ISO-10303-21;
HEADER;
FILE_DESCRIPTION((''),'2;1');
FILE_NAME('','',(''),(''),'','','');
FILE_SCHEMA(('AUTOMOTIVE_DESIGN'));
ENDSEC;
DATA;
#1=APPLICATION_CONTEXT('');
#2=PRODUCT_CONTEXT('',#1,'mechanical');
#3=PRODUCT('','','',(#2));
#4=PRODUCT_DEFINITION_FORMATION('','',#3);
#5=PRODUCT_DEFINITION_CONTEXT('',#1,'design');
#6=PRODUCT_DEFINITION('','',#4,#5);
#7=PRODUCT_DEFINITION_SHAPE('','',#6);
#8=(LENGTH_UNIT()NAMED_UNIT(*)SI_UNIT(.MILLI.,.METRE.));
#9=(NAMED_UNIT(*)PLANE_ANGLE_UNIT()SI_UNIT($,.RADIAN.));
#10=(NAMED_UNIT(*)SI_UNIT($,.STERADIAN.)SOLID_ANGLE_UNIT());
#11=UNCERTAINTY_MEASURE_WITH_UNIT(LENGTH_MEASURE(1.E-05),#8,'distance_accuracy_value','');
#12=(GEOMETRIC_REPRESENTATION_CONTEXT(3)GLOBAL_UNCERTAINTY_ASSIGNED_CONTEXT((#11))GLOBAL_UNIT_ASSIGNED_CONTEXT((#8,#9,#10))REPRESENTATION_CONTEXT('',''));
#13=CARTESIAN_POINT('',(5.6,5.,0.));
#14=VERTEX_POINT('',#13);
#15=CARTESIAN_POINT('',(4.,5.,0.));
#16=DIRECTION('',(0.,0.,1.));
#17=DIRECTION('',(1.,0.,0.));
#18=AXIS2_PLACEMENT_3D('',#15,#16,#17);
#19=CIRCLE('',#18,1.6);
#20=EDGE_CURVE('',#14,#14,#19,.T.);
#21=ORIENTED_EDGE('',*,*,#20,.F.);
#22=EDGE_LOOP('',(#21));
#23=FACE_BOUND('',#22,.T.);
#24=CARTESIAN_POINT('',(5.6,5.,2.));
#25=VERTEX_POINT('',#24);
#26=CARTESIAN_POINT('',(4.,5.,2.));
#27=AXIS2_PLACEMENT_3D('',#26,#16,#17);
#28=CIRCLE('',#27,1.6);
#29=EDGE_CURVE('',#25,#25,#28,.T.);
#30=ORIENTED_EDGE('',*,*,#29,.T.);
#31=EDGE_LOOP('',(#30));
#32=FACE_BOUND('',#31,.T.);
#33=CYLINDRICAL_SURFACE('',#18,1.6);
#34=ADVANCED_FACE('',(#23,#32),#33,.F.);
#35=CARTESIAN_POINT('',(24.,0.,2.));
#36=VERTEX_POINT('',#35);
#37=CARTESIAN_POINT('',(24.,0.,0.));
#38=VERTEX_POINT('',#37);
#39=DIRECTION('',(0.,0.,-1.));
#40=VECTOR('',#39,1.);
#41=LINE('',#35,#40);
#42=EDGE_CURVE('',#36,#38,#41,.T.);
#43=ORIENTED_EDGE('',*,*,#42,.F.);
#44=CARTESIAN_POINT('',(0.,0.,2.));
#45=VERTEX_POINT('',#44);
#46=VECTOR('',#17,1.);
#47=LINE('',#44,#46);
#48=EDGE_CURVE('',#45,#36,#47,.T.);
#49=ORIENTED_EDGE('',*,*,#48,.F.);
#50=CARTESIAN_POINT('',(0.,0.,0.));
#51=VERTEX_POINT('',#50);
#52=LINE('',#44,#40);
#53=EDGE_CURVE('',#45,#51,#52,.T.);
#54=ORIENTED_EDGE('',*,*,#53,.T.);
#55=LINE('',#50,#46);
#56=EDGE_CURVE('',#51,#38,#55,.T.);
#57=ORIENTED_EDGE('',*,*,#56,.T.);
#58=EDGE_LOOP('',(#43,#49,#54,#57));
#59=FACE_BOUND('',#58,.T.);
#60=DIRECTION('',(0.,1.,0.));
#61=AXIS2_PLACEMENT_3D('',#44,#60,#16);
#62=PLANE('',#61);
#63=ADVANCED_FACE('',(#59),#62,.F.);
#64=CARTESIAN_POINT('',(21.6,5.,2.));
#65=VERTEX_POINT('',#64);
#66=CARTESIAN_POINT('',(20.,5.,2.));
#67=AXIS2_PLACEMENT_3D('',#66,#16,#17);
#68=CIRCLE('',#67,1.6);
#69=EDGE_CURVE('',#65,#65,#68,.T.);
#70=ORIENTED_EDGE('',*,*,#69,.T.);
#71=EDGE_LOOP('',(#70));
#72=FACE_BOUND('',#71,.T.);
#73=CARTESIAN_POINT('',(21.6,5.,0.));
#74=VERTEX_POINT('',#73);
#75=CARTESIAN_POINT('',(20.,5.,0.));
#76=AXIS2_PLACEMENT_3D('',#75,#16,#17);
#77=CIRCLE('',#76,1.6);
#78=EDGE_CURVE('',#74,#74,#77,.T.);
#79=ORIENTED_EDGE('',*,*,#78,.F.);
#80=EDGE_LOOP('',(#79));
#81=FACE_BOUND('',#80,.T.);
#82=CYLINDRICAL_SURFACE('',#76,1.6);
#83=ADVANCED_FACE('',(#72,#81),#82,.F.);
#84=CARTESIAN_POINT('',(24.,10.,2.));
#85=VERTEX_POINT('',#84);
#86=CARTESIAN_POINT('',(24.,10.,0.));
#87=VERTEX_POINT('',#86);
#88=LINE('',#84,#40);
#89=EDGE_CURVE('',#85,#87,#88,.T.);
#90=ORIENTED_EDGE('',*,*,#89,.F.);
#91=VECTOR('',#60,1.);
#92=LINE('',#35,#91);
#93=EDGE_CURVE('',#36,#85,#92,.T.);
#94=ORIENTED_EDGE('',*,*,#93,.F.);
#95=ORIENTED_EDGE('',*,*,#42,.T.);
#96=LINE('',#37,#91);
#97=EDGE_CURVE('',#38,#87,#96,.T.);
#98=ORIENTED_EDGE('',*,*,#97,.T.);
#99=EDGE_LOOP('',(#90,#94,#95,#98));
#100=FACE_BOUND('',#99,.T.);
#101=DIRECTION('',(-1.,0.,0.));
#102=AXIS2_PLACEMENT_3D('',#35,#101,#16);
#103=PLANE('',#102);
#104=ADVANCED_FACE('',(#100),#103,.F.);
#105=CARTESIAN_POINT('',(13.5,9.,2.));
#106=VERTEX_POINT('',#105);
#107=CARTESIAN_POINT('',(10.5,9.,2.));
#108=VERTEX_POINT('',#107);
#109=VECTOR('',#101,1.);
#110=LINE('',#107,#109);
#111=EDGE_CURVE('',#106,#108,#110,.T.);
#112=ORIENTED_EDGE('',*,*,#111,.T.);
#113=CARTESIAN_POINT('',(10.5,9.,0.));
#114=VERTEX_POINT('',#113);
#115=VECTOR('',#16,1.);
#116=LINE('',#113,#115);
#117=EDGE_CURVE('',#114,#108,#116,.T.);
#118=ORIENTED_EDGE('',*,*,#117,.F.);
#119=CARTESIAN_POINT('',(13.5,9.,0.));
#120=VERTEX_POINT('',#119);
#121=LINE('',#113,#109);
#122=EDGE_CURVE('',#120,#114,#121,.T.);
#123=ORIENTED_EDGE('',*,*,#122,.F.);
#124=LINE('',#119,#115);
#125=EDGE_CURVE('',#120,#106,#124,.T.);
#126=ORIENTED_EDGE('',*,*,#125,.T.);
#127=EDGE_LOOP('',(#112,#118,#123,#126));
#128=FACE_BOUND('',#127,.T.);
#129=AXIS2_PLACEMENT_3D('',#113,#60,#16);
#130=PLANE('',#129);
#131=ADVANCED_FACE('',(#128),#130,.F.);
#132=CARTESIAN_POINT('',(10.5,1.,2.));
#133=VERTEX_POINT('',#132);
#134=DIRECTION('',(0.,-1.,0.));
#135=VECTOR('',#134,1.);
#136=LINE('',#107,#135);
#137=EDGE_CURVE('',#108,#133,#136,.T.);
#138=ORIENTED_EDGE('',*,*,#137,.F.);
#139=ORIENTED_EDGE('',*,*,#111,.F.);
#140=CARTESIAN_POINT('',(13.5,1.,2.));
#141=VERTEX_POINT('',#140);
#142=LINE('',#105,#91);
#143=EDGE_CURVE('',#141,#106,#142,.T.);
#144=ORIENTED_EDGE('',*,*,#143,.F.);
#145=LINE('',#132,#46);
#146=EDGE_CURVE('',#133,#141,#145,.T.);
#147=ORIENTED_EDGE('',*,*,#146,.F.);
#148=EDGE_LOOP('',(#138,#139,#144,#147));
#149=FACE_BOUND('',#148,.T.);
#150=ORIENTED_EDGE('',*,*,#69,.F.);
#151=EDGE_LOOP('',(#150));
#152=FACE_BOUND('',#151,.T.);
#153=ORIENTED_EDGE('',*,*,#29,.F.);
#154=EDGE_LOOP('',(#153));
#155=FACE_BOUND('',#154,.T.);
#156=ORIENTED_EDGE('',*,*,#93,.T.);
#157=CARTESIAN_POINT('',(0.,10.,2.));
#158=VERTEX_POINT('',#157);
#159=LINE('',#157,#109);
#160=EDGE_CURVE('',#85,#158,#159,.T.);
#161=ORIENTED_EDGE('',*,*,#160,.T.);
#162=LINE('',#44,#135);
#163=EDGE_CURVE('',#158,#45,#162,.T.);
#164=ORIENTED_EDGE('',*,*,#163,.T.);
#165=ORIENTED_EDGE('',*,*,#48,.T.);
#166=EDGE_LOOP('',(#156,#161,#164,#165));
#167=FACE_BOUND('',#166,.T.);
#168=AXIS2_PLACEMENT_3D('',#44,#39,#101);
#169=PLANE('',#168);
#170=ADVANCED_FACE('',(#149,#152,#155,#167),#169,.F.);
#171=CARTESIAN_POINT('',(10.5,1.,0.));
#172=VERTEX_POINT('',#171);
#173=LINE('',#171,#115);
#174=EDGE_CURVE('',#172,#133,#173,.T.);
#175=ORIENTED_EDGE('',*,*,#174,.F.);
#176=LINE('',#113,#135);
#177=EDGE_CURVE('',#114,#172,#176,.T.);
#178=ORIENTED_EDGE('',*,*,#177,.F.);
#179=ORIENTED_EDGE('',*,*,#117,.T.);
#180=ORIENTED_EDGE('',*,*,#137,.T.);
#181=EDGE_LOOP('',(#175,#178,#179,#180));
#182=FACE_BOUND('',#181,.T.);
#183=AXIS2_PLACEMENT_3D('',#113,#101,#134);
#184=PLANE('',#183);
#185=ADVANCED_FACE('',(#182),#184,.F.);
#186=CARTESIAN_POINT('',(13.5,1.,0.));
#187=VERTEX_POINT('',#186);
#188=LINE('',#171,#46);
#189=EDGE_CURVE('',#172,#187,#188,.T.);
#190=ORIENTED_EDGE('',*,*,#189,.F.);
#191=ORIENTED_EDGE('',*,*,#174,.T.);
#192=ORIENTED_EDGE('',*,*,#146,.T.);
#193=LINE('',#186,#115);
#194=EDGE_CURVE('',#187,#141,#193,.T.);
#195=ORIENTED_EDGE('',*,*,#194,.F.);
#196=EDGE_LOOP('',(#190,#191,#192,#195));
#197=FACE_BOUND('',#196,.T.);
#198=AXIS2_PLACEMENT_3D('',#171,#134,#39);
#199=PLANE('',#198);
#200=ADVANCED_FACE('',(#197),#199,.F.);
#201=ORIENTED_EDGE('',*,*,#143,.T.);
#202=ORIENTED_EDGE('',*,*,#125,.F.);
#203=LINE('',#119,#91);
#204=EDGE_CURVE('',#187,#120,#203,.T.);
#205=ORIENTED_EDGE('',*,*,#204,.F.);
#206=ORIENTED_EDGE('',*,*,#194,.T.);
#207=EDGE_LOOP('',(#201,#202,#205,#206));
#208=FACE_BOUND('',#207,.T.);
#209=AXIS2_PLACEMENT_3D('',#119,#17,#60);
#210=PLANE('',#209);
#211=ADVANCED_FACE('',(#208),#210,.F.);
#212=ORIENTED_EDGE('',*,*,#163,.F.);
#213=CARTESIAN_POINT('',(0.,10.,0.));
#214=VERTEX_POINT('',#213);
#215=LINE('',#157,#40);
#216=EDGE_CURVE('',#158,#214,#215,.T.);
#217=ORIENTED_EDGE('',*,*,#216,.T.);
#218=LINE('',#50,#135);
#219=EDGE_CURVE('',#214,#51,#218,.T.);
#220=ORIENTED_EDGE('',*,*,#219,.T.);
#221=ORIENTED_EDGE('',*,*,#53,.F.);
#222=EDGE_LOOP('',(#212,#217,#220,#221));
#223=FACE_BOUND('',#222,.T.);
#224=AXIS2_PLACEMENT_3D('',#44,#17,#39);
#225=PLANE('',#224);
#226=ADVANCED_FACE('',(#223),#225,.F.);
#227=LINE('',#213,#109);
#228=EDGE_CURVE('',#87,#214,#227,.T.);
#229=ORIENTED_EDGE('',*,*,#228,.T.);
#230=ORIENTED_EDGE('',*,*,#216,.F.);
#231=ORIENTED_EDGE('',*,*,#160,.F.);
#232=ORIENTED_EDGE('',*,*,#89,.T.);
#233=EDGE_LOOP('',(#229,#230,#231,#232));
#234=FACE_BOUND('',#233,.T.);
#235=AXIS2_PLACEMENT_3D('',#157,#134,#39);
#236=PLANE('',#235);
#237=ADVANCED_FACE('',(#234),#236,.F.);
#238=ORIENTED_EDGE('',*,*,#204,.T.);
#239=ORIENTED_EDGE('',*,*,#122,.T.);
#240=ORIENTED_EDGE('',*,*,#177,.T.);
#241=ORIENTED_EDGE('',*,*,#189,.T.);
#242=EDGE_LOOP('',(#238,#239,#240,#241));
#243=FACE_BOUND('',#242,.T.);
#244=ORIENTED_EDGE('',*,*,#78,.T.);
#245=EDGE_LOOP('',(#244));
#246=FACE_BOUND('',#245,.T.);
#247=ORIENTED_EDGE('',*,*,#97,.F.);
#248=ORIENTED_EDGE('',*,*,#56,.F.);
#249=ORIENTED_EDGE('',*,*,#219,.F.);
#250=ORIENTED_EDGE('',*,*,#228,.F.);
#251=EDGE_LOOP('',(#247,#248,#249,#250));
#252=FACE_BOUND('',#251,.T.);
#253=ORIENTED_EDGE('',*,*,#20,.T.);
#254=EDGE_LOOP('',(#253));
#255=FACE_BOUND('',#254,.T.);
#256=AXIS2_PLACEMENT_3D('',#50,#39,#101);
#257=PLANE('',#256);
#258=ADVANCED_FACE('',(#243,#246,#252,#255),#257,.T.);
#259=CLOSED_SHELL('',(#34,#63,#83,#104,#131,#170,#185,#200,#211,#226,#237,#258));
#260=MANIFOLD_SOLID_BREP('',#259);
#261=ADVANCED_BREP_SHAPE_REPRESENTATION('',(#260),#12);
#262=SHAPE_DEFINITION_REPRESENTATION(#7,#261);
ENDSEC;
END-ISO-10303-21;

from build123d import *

# Parameters (mm, degrees)
SKETCH1_W           = 24
SKETCH1_H           = 10
BOSS_EXTRUDE1_DEPTH = 2
SKETCH2_R           = 1.6
CUT_EXTRUDE1_DEPTH  = 2
SKETCH3_W           = 3
SKETCH3_H           = 8
CUT_EXTRUDE2_DEPTH  = 2


with BuildPart() as part:
    # Sketch1 → Boss-Extrude1 (new body)
    with BuildSketch(Plane.XY):
        with Locations((12, 5)):
            Rectangle(SKETCH1_W, SKETCH1_H)
    extrude(amount=BOSS_EXTRUDE1_DEPTH)

    # Sketch2 → Cut-Extrude1 (cut)
    with BuildSketch(Plane.XY.offset(2)):
        with Locations((4, 5)):
            Circle(SKETCH2_R)
        with Locations((20, 5)):
            Circle(SKETCH2_R)
    extrude(amount=-CUT_EXTRUDE1_DEPTH, mode=Mode.SUBTRACT)

    # Sketch3 → Cut-Extrude2 (cut)
    with BuildSketch(Plane.XY.offset(2)):
        with Locations((12, 5)):
            Rectangle(SKETCH3_W, SKETCH3_H)
    extrude(amount=-CUT_EXTRUDE2_DEPTH, mode=Mode.SUBTRACT)


solid = part.part
